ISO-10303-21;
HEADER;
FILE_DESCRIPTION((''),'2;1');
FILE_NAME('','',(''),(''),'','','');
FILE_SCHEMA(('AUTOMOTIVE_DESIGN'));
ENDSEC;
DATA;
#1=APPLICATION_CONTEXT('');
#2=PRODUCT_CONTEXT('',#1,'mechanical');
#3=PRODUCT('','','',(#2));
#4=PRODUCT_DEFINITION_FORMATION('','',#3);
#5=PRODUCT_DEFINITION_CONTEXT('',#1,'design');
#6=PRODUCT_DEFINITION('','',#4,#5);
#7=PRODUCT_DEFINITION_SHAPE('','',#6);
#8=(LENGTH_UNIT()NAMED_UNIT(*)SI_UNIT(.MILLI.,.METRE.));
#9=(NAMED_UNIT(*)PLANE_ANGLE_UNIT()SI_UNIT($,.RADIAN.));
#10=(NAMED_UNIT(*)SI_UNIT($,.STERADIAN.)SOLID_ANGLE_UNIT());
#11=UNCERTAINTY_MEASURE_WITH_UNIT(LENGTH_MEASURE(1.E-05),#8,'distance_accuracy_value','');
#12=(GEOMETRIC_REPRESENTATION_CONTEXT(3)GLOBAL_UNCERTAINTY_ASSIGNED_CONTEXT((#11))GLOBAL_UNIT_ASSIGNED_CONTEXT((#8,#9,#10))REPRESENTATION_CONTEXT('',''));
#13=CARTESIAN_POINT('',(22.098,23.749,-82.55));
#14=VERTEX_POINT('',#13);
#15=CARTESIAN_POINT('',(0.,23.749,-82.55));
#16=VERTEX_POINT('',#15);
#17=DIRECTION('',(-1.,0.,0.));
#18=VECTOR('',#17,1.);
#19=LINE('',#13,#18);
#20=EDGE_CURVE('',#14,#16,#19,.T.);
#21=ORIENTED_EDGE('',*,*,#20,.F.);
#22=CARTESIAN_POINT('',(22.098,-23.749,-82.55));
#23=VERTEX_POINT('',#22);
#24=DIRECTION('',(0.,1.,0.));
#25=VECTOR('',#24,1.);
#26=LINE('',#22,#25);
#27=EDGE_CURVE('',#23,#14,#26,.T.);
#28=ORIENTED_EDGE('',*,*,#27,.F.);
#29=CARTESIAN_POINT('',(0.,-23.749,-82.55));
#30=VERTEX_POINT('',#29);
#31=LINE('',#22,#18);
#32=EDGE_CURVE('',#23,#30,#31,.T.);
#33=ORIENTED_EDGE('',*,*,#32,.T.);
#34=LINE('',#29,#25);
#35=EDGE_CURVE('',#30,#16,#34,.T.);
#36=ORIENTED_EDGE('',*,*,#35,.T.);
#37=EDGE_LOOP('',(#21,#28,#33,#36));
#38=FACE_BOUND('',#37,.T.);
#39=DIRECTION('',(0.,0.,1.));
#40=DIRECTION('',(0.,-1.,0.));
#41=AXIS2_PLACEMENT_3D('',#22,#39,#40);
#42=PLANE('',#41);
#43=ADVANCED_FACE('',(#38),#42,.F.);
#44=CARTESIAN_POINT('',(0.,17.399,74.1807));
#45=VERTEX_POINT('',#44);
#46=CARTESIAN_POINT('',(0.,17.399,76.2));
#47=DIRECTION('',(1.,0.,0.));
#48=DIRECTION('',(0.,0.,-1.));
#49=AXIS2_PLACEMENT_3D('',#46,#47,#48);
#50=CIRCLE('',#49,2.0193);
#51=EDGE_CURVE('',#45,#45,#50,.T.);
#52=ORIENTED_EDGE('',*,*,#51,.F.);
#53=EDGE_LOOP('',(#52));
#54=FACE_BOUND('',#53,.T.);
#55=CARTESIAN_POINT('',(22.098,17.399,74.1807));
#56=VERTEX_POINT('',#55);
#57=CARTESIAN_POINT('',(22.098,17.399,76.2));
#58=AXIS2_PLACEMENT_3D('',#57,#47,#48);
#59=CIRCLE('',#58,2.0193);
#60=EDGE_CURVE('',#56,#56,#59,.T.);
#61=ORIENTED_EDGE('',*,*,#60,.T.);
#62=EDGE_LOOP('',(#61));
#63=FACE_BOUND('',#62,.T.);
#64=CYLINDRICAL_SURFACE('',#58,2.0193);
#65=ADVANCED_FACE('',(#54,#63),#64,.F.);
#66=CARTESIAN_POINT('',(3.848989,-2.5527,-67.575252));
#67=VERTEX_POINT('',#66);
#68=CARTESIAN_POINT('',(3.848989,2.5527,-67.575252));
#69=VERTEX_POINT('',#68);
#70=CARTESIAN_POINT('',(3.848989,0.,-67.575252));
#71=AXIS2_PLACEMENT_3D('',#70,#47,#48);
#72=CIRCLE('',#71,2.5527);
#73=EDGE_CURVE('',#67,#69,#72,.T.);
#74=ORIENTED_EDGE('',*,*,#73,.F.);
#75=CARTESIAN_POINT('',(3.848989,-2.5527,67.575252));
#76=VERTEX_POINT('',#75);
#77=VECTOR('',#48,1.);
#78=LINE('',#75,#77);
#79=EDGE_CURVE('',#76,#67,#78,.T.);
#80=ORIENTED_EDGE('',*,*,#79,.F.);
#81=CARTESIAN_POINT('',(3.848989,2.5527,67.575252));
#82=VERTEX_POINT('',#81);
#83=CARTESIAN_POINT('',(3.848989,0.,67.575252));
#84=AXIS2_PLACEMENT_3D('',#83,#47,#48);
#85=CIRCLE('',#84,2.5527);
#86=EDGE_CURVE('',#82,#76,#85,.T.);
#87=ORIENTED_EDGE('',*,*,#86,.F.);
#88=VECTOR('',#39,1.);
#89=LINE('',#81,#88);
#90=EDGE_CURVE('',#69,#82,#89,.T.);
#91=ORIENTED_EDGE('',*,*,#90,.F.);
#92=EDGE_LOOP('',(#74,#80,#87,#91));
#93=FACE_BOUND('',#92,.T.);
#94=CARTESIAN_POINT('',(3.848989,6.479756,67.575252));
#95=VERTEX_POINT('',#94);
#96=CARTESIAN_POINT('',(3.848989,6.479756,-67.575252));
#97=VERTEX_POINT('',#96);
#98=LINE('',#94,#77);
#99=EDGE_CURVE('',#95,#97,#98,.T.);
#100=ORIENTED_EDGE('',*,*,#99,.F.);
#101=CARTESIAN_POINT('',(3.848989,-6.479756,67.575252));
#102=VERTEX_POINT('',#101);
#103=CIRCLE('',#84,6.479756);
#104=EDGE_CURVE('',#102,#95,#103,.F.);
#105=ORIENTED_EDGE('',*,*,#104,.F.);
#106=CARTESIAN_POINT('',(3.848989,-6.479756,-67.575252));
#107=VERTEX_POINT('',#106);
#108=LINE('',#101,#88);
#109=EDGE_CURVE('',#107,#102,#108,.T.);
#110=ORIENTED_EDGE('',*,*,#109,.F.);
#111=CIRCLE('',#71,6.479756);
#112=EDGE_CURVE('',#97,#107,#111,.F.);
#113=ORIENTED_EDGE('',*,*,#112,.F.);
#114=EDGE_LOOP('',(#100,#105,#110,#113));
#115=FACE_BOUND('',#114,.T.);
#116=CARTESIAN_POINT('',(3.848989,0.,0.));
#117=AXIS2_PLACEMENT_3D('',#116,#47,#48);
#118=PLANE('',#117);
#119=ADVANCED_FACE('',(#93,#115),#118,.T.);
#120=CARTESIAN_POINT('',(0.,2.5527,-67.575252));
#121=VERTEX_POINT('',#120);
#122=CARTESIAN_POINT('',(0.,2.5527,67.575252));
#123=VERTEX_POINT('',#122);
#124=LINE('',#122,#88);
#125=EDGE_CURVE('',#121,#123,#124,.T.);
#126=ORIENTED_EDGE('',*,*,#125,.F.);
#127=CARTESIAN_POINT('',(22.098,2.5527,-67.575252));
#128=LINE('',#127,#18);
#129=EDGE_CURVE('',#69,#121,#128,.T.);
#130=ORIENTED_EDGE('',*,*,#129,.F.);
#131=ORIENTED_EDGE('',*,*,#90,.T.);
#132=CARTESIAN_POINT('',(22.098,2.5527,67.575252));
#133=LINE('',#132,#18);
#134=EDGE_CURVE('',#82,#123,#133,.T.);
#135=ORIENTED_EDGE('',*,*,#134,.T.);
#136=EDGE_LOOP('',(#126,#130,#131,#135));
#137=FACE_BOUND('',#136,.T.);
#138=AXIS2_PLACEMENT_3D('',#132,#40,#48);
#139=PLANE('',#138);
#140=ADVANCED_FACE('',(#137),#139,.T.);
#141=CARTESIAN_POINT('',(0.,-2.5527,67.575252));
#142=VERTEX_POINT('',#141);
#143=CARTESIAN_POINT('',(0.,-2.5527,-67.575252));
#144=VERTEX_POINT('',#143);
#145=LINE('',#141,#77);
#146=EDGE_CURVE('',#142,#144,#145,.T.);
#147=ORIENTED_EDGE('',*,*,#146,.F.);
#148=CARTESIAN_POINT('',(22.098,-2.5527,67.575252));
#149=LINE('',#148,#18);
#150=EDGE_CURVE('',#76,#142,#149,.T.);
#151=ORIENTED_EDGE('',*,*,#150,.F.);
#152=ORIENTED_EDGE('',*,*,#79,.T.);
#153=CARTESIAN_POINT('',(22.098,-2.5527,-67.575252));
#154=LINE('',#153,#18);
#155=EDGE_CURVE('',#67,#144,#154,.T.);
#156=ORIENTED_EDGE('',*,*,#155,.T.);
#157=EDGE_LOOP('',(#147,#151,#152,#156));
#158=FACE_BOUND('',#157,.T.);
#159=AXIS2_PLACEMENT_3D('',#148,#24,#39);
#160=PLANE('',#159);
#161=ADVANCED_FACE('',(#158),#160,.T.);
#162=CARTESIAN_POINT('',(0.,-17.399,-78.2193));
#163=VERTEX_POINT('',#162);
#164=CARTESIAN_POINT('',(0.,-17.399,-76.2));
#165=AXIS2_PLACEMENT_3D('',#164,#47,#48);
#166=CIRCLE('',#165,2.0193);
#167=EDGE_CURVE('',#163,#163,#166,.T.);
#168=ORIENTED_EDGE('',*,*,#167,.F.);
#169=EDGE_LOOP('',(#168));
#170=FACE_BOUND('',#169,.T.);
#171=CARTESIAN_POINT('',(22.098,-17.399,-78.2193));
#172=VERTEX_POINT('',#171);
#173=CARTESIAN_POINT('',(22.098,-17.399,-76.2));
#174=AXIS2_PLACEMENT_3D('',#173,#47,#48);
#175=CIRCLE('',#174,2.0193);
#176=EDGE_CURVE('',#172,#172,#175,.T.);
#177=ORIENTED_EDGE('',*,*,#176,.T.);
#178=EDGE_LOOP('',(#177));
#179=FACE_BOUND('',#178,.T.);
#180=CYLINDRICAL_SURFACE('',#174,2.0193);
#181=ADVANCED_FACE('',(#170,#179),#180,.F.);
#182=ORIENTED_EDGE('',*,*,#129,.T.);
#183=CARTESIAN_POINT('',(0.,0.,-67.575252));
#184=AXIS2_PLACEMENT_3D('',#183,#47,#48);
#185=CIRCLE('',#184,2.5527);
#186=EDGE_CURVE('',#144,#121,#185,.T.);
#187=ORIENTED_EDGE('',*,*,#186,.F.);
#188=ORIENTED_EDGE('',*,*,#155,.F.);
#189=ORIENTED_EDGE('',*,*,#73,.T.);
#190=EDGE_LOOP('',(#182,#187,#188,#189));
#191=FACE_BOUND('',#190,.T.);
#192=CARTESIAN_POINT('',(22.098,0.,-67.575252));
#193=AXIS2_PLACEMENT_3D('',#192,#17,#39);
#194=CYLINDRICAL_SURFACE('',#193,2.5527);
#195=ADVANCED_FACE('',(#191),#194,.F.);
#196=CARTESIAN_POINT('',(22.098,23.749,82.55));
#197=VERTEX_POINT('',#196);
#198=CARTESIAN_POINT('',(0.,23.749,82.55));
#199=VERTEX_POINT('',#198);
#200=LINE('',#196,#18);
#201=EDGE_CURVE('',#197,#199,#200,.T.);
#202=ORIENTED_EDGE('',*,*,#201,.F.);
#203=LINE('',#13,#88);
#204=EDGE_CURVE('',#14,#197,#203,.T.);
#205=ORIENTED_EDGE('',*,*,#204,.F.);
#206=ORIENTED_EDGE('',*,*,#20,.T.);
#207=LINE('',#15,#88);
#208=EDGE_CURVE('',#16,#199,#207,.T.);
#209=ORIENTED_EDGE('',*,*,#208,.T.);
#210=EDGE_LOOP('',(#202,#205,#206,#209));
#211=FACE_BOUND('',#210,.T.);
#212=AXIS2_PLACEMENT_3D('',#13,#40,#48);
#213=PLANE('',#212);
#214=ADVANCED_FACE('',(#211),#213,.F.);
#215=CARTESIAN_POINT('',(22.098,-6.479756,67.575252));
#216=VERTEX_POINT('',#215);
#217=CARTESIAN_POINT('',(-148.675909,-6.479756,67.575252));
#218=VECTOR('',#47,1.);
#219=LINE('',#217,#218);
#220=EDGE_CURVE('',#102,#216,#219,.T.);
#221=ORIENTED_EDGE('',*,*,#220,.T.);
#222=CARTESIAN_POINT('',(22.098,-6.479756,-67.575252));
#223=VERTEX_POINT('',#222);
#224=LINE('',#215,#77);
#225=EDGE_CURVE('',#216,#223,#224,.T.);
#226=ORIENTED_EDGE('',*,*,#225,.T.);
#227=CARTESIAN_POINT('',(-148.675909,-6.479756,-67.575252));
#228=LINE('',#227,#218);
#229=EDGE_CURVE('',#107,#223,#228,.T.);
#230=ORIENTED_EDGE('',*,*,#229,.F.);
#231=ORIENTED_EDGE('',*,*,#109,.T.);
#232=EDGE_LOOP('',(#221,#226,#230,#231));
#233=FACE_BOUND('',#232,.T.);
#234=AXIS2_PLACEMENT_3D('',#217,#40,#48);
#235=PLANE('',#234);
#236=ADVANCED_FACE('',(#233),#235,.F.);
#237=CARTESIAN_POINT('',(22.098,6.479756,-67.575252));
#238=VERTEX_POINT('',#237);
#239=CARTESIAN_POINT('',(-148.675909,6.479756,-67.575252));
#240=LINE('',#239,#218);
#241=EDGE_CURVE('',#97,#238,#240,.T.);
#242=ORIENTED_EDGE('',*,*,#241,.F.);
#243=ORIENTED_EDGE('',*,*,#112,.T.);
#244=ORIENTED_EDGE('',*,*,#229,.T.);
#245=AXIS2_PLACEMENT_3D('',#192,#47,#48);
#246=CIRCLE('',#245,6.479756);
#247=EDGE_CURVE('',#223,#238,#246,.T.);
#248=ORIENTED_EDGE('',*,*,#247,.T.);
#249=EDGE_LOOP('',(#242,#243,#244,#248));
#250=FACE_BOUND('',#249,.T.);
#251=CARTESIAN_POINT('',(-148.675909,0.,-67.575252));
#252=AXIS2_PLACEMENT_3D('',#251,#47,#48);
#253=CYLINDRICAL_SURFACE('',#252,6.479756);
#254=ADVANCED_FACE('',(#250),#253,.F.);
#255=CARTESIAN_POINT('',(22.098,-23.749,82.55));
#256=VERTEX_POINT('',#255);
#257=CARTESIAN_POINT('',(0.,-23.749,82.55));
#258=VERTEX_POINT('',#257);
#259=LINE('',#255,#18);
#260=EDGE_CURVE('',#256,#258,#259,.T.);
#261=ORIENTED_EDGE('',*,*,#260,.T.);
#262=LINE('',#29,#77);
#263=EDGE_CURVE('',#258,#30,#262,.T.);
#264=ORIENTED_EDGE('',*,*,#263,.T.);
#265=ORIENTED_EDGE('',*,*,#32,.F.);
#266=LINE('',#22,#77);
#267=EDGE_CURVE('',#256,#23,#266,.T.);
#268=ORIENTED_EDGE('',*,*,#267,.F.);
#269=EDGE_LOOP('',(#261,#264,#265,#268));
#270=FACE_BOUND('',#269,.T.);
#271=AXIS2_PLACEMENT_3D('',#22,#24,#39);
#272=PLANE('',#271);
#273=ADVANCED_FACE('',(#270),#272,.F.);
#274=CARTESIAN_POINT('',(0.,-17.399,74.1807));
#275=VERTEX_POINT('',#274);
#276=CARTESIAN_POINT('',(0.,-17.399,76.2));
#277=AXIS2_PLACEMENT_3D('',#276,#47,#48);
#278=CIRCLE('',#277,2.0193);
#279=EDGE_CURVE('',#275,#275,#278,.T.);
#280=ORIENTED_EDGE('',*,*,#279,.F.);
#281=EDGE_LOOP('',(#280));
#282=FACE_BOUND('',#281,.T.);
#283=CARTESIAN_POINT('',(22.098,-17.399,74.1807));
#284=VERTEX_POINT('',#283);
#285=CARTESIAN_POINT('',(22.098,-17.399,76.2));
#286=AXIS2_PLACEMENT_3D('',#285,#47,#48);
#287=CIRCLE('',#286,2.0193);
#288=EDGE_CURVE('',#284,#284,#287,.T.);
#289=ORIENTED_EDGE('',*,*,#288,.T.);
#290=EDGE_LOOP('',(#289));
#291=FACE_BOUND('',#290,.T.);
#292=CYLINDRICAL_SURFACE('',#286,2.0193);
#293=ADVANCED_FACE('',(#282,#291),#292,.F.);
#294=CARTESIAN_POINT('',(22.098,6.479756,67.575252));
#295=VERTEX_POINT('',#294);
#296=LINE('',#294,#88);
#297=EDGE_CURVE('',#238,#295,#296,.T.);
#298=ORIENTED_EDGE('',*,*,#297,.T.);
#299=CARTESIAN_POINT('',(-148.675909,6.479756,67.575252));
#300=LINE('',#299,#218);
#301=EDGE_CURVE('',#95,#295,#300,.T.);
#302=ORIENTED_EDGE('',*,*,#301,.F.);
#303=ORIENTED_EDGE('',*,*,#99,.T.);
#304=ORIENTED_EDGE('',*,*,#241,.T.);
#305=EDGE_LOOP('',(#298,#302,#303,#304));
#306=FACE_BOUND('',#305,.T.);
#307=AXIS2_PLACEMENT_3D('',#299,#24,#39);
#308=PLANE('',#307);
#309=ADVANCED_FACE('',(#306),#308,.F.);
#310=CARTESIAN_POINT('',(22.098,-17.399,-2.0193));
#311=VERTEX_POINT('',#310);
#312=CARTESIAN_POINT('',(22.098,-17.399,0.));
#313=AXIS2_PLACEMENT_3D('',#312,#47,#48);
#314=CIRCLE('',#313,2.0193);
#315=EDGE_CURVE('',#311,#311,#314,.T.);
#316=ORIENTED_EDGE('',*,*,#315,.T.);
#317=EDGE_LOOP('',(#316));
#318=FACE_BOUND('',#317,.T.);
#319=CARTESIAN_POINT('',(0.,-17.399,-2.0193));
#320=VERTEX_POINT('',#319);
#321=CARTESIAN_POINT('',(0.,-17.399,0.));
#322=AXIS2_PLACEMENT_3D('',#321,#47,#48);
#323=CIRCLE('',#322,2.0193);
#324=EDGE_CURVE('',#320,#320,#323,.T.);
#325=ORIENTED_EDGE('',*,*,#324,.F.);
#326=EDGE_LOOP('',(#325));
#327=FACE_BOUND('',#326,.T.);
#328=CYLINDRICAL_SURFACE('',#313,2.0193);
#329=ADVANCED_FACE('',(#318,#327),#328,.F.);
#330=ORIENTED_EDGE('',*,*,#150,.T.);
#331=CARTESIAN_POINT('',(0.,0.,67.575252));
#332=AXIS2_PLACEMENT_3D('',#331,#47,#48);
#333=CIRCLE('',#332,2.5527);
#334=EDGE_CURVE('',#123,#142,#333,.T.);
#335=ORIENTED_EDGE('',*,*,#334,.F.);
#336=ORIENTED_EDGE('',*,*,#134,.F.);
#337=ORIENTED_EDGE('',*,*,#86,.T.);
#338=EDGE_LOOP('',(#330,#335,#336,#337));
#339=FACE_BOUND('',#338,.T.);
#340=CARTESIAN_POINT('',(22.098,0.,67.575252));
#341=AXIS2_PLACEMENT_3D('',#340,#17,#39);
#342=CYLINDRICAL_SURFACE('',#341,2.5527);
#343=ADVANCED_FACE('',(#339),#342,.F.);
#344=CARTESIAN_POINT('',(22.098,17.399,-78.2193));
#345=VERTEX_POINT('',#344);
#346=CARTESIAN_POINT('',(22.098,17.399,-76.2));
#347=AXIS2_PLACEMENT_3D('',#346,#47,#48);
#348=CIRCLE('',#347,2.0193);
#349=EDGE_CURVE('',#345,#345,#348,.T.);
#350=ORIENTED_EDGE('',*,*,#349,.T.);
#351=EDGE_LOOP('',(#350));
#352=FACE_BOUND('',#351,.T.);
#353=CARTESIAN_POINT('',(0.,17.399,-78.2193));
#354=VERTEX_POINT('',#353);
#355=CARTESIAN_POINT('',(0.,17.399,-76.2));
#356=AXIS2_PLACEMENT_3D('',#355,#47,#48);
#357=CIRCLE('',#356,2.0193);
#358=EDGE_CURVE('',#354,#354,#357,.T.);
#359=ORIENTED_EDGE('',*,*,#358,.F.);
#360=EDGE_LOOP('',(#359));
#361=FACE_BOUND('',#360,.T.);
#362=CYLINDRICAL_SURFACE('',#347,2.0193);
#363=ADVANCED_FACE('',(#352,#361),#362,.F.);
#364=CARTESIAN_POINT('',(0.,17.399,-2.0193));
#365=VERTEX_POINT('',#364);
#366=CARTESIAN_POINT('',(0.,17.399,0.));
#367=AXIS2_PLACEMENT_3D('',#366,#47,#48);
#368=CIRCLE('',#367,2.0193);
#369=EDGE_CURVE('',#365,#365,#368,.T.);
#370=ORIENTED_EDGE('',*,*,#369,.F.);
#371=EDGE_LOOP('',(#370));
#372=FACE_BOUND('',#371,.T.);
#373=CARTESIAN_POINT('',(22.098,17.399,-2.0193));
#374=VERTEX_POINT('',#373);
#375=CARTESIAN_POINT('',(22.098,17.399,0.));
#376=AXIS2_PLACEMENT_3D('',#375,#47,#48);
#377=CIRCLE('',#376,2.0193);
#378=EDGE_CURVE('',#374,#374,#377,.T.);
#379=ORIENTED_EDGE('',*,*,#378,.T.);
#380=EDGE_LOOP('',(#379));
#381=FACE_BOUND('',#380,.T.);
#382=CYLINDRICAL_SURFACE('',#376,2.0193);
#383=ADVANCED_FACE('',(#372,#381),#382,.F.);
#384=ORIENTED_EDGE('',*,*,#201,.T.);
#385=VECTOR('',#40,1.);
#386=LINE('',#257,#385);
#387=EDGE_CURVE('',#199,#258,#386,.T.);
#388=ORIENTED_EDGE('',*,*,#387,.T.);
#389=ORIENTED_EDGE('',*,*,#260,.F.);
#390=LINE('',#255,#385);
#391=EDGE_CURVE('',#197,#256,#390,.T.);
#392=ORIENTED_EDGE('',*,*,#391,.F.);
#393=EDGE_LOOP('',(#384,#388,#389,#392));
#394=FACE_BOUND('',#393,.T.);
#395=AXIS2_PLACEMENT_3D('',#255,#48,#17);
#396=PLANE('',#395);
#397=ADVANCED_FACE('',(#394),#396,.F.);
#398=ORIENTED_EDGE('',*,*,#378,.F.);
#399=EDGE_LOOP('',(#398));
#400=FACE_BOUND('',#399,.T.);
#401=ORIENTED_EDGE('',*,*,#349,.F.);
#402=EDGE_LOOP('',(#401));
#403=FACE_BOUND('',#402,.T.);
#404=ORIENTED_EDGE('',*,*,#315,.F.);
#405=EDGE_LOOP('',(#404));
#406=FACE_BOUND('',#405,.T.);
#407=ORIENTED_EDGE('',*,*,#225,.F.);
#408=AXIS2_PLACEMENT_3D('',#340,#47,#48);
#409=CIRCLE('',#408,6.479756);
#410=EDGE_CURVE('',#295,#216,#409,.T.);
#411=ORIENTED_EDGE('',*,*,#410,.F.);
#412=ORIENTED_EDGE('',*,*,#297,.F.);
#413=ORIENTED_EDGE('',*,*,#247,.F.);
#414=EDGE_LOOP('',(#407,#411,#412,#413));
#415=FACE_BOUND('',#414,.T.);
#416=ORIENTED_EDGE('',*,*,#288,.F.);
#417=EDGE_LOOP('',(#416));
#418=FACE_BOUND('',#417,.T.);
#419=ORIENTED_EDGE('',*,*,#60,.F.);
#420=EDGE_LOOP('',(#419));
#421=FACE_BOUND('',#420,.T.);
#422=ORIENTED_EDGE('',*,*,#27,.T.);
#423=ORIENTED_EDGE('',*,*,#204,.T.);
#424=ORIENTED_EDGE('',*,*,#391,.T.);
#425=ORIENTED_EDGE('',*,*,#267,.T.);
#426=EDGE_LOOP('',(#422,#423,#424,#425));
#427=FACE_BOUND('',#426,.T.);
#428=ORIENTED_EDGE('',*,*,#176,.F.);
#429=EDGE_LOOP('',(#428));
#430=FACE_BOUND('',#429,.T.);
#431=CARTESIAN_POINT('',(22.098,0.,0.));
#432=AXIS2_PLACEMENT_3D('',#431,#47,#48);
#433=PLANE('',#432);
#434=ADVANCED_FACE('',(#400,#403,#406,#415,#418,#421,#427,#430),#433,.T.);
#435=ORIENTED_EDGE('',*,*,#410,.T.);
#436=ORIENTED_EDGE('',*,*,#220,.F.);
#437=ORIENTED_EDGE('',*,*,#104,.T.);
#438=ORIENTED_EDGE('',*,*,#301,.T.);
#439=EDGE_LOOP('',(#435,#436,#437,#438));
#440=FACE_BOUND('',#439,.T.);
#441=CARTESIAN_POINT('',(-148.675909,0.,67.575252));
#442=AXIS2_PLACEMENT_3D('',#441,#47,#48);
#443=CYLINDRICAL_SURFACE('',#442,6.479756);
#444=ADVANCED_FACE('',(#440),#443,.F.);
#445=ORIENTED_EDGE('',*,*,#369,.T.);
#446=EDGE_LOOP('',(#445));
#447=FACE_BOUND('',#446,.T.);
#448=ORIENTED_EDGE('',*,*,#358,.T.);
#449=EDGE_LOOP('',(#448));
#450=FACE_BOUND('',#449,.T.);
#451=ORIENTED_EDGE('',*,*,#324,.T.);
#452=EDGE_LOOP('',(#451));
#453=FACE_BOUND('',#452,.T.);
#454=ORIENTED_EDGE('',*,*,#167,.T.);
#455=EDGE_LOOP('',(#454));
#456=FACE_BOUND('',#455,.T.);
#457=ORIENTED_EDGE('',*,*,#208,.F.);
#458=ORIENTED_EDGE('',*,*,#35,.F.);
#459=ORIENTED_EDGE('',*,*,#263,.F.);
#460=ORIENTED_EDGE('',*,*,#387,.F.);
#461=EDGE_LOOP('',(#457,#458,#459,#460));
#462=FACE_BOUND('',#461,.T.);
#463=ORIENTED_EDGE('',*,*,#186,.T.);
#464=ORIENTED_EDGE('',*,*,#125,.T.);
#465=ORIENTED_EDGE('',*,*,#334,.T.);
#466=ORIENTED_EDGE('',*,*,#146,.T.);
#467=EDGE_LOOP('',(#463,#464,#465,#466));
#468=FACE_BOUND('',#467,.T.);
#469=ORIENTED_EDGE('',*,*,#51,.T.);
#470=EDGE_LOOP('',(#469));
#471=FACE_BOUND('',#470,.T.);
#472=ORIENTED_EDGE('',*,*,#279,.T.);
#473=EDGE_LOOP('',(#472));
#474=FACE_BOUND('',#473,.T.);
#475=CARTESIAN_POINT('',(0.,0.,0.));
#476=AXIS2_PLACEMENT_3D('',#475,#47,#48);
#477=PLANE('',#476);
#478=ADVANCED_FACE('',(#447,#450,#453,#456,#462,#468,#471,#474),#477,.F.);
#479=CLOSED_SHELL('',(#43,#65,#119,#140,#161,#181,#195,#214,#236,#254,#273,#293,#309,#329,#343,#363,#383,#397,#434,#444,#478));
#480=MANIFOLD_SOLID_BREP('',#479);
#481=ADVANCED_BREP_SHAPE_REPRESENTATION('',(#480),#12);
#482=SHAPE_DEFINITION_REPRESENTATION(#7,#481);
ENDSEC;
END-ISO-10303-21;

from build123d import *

# Parameters (mm, degrees)
SKETCH1_W              = 165.1
SKETCH1_H              = 47.498
BOSS_EXTRUDE1_DEPTH    = 22.098
CUT_EXTRUDE1_DEPTH     = 18.249011
F_10_32_TAPPED_HOLE1_D = 4.0386


with BuildPart() as part:
    # Sketch1 → Boss-Extrude1 (new body)
    with BuildSketch(Plane(origin=(0, 0, 0), x_dir=(0, 0, -1), z_dir=(1, 0, 0))):
        Rectangle(SKETCH1_W, SKETCH1_H)
        with BuildLine():
            Line((-67.5752522, 2.5527), (67.5752522, 2.5527))
            ThreePointArc((67.5752522, 2.5527), (70.1279522, 0), (67.5752522, -2.5527))
            Line((67.5752522, -2.5527), (-67.5752522, -2.5527))
            ThreePointArc((-67.5752522, -2.5527), (-70.1279522, 0), (-67.5752522, 2.5527))
        make_face(mode=Mode.SUBTRACT)
    extrude(amount=BOSS_EXTRUDE1_DEPTH)

    # Sketch2 → Cut-Extrude1 (cut)
    with BuildSketch(Plane(origin=(22.098, 0, 0), x_dir=(0, 0, -1), z_dir=(1, 0, 0))):
        with BuildLine():
            Line((-67.5752522, 6.4797559), (67.5752522, 6.4797559))
            ThreePointArc((67.5752522, 6.4797559), (74.0550081, 0), (67.5752522, -6.4797559))
            Line((67.5752522, -6.4797559), (-67.5752522, -6.4797559))
            ThreePointArc((-67.5752522, -6.4797559), (-74.0550081, 0), (-67.5752522, 6.4797559))
        make_face()
    extrude(amount=-CUT_EXTRUDE1_DEPTH, mode=Mode.SUBTRACT)

    # #10-32 Tapped Hole1 (through all)
    with Locations(Plane(origin=(22.098, 0, 0), x_dir=(0, 0, -1), z_dir=(1, 0, 0))):
        with Locations((-76.2, 17.399), (-76.2, -17.399), (0, -17.399), (76.2, -17.399), (76.2, 17.399), (0, 17.399)):
            Hole(F_10_32_TAPPED_HOLE1_D / 2)


solid = part.part
